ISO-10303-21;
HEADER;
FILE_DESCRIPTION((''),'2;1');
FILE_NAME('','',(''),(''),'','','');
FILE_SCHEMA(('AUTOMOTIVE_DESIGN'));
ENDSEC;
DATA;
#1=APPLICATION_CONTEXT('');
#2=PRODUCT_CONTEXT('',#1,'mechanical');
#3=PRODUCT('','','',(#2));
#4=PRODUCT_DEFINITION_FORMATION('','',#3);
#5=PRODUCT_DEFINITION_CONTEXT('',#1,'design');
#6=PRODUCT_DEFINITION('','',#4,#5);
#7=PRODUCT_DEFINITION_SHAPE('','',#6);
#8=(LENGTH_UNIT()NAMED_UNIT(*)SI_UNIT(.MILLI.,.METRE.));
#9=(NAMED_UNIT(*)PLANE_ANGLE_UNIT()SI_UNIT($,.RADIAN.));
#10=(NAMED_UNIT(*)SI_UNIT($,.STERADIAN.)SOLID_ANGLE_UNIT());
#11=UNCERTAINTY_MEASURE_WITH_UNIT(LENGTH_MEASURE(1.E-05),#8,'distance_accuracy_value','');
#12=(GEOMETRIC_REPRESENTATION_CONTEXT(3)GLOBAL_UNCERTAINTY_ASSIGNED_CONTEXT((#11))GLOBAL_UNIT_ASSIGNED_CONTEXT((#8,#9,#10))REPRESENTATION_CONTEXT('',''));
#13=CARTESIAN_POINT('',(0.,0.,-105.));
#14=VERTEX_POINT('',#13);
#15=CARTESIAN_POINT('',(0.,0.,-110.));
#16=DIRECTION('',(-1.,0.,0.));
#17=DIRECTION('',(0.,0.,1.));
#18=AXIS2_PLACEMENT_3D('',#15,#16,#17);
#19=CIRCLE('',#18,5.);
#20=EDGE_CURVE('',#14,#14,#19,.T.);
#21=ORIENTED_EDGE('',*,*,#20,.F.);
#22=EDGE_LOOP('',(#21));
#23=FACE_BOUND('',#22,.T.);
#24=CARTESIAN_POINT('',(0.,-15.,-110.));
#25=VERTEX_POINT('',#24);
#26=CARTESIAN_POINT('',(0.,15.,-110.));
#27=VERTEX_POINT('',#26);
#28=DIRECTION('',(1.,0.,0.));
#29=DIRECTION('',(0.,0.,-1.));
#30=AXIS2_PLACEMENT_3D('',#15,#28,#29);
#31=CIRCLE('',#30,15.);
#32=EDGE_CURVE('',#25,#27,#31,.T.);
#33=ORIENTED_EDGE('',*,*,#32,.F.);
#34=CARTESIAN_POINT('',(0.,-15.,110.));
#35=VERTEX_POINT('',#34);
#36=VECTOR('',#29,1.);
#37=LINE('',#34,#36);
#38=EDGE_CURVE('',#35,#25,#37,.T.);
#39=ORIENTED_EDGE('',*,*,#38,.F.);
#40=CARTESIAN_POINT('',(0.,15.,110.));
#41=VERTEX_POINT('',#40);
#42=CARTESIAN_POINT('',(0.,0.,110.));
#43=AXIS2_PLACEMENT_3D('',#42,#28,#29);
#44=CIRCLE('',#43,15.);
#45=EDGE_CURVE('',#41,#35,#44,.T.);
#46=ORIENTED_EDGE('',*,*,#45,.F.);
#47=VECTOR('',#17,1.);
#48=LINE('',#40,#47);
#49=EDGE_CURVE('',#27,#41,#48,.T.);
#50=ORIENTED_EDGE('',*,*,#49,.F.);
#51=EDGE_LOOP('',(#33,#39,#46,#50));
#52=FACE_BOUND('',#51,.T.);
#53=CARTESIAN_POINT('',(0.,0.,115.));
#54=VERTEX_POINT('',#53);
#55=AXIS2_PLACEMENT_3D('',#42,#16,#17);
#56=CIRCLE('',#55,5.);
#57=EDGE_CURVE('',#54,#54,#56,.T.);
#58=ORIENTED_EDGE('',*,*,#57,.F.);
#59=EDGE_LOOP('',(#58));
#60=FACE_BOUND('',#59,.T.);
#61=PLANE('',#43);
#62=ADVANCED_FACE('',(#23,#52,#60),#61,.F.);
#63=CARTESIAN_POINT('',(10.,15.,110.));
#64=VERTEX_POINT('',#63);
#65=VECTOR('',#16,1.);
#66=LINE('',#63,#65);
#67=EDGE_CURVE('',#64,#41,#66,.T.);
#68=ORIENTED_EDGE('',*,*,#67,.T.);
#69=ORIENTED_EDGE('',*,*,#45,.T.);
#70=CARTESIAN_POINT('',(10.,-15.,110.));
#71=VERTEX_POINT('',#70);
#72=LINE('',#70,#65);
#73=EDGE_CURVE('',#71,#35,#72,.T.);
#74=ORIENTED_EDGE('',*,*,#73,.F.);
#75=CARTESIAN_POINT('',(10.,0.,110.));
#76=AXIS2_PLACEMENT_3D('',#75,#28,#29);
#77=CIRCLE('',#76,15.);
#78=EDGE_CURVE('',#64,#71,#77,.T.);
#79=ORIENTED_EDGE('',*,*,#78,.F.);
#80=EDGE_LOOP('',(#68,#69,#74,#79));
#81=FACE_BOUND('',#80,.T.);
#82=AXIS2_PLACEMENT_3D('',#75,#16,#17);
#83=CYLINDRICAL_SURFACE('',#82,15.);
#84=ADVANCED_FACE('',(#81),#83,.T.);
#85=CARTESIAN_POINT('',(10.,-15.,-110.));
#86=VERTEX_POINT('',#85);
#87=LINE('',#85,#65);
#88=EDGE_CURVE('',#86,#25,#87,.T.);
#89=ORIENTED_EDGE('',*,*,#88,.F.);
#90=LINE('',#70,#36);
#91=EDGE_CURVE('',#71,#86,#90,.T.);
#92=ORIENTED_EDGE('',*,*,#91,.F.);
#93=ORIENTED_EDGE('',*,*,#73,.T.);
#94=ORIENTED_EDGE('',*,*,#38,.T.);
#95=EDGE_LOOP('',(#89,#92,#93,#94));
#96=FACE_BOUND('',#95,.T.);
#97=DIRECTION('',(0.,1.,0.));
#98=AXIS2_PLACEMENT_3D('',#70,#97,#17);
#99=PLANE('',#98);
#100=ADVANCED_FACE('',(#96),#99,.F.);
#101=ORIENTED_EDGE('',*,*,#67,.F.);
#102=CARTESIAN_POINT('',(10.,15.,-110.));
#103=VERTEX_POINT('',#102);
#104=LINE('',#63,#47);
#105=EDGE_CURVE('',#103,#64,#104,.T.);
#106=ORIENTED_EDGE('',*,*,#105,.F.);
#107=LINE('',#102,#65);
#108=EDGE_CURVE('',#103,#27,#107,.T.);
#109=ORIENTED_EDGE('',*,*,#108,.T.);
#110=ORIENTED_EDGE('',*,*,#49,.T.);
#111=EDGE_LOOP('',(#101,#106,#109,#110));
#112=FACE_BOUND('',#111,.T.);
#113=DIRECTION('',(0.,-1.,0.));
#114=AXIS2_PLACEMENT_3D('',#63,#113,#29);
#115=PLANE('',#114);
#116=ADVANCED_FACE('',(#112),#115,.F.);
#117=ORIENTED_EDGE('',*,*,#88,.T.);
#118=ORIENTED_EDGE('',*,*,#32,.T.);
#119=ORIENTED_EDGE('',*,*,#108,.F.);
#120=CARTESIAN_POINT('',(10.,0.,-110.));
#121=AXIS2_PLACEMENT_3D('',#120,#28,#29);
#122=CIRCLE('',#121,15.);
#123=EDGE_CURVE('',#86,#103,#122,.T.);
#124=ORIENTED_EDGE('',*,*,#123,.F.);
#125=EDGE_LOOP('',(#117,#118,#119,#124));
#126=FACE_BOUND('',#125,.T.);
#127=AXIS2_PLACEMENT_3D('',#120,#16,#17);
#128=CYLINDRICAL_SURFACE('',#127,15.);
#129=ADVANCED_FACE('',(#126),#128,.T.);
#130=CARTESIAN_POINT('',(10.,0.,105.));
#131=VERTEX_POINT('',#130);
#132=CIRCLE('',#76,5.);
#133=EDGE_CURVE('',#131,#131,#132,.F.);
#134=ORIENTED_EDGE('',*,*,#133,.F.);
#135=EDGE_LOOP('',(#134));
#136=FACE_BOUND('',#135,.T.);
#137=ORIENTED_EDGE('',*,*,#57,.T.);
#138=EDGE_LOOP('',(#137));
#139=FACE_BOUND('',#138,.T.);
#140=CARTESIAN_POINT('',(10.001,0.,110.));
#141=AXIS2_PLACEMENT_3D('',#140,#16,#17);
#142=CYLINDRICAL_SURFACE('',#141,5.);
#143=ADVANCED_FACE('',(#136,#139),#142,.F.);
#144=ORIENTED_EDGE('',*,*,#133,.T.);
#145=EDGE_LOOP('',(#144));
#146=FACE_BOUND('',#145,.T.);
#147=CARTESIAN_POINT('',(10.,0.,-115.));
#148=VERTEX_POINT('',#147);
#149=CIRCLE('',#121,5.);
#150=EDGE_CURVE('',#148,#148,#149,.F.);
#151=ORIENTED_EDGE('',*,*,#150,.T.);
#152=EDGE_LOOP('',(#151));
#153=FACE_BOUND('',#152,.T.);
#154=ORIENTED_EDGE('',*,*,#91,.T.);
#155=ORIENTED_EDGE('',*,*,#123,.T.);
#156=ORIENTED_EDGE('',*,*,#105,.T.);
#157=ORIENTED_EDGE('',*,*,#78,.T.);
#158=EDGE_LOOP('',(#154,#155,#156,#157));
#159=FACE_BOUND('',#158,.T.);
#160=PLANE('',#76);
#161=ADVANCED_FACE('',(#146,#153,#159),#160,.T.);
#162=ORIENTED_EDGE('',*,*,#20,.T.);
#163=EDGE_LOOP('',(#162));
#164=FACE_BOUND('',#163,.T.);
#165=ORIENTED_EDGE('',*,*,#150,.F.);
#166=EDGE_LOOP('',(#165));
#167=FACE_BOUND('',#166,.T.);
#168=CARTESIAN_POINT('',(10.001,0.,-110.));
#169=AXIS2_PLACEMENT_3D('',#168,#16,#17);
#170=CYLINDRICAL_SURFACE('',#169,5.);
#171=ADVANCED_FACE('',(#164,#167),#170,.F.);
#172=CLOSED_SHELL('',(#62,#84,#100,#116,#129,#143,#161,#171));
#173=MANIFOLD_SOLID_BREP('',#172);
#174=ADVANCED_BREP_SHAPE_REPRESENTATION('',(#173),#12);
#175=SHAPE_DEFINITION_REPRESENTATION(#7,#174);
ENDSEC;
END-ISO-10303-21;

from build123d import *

# Parameters (mm, degrees)
BOSS_EXTRUDE1_DEPTH = 10
CUT_EXTRUDE1_REACH  = 12
SKETCH3_R           = 5
CUT_EXTRUDE3_REACH  = 12
SKETCH2_R           = 5


with BuildPart() as part:
    # Sketch1 → Boss-Extrude1 (new body)
    with BuildSketch(Plane(origin=(0, 0, 0), x_dir=(0, 0, -1), z_dir=(1, 0, 0))):
        with BuildLine():
            Line((-110, 15), (110, 15))
            ThreePointArc((110, 15), (125, 0), (110, -15))
            Line((110, -15), (-110, -15))
            ThreePointArc((-110, -15), (-125, 0), (-110, 15))
        make_face()
    extrude(amount=BOSS_EXTRUDE1_DEPTH)

    # Sketch3 → Cut-Extrude1 (cut, up to next)
    with BuildSketch(Plane.ZY, mode=Mode.PRIVATE) as cut_extrude1_sk1:
        with Locations((110, 0)):
            Circle(SKETCH3_R)
    cut_extrude1_tool1 = extrude(cut_extrude1_sk1.sketch, amount=-CUT_EXTRUDE1_REACH, mode=Mode.PRIVATE) & part.part
    add(cut_extrude1_tool1.solids().sort_by_distance((0, 0, 110))[0], mode=Mode.SUBTRACT)

    # Sketch2 → Cut-Extrude3 (cut, up to next)
    with BuildSketch(Plane.ZY, mode=Mode.PRIVATE) as cut_extrude3_sk1:
        with Locations((-110, 0)):
            Circle(SKETCH2_R)
    cut_extrude3_tool1 = extrude(cut_extrude3_sk1.sketch, amount=-CUT_EXTRUDE3_REACH, mode=Mode.PRIVATE) & part.part
    add(cut_extrude3_tool1.solids().sort_by_distance((0, 0, -110))[0], mode=Mode.SUBTRACT)


solid = part.part
